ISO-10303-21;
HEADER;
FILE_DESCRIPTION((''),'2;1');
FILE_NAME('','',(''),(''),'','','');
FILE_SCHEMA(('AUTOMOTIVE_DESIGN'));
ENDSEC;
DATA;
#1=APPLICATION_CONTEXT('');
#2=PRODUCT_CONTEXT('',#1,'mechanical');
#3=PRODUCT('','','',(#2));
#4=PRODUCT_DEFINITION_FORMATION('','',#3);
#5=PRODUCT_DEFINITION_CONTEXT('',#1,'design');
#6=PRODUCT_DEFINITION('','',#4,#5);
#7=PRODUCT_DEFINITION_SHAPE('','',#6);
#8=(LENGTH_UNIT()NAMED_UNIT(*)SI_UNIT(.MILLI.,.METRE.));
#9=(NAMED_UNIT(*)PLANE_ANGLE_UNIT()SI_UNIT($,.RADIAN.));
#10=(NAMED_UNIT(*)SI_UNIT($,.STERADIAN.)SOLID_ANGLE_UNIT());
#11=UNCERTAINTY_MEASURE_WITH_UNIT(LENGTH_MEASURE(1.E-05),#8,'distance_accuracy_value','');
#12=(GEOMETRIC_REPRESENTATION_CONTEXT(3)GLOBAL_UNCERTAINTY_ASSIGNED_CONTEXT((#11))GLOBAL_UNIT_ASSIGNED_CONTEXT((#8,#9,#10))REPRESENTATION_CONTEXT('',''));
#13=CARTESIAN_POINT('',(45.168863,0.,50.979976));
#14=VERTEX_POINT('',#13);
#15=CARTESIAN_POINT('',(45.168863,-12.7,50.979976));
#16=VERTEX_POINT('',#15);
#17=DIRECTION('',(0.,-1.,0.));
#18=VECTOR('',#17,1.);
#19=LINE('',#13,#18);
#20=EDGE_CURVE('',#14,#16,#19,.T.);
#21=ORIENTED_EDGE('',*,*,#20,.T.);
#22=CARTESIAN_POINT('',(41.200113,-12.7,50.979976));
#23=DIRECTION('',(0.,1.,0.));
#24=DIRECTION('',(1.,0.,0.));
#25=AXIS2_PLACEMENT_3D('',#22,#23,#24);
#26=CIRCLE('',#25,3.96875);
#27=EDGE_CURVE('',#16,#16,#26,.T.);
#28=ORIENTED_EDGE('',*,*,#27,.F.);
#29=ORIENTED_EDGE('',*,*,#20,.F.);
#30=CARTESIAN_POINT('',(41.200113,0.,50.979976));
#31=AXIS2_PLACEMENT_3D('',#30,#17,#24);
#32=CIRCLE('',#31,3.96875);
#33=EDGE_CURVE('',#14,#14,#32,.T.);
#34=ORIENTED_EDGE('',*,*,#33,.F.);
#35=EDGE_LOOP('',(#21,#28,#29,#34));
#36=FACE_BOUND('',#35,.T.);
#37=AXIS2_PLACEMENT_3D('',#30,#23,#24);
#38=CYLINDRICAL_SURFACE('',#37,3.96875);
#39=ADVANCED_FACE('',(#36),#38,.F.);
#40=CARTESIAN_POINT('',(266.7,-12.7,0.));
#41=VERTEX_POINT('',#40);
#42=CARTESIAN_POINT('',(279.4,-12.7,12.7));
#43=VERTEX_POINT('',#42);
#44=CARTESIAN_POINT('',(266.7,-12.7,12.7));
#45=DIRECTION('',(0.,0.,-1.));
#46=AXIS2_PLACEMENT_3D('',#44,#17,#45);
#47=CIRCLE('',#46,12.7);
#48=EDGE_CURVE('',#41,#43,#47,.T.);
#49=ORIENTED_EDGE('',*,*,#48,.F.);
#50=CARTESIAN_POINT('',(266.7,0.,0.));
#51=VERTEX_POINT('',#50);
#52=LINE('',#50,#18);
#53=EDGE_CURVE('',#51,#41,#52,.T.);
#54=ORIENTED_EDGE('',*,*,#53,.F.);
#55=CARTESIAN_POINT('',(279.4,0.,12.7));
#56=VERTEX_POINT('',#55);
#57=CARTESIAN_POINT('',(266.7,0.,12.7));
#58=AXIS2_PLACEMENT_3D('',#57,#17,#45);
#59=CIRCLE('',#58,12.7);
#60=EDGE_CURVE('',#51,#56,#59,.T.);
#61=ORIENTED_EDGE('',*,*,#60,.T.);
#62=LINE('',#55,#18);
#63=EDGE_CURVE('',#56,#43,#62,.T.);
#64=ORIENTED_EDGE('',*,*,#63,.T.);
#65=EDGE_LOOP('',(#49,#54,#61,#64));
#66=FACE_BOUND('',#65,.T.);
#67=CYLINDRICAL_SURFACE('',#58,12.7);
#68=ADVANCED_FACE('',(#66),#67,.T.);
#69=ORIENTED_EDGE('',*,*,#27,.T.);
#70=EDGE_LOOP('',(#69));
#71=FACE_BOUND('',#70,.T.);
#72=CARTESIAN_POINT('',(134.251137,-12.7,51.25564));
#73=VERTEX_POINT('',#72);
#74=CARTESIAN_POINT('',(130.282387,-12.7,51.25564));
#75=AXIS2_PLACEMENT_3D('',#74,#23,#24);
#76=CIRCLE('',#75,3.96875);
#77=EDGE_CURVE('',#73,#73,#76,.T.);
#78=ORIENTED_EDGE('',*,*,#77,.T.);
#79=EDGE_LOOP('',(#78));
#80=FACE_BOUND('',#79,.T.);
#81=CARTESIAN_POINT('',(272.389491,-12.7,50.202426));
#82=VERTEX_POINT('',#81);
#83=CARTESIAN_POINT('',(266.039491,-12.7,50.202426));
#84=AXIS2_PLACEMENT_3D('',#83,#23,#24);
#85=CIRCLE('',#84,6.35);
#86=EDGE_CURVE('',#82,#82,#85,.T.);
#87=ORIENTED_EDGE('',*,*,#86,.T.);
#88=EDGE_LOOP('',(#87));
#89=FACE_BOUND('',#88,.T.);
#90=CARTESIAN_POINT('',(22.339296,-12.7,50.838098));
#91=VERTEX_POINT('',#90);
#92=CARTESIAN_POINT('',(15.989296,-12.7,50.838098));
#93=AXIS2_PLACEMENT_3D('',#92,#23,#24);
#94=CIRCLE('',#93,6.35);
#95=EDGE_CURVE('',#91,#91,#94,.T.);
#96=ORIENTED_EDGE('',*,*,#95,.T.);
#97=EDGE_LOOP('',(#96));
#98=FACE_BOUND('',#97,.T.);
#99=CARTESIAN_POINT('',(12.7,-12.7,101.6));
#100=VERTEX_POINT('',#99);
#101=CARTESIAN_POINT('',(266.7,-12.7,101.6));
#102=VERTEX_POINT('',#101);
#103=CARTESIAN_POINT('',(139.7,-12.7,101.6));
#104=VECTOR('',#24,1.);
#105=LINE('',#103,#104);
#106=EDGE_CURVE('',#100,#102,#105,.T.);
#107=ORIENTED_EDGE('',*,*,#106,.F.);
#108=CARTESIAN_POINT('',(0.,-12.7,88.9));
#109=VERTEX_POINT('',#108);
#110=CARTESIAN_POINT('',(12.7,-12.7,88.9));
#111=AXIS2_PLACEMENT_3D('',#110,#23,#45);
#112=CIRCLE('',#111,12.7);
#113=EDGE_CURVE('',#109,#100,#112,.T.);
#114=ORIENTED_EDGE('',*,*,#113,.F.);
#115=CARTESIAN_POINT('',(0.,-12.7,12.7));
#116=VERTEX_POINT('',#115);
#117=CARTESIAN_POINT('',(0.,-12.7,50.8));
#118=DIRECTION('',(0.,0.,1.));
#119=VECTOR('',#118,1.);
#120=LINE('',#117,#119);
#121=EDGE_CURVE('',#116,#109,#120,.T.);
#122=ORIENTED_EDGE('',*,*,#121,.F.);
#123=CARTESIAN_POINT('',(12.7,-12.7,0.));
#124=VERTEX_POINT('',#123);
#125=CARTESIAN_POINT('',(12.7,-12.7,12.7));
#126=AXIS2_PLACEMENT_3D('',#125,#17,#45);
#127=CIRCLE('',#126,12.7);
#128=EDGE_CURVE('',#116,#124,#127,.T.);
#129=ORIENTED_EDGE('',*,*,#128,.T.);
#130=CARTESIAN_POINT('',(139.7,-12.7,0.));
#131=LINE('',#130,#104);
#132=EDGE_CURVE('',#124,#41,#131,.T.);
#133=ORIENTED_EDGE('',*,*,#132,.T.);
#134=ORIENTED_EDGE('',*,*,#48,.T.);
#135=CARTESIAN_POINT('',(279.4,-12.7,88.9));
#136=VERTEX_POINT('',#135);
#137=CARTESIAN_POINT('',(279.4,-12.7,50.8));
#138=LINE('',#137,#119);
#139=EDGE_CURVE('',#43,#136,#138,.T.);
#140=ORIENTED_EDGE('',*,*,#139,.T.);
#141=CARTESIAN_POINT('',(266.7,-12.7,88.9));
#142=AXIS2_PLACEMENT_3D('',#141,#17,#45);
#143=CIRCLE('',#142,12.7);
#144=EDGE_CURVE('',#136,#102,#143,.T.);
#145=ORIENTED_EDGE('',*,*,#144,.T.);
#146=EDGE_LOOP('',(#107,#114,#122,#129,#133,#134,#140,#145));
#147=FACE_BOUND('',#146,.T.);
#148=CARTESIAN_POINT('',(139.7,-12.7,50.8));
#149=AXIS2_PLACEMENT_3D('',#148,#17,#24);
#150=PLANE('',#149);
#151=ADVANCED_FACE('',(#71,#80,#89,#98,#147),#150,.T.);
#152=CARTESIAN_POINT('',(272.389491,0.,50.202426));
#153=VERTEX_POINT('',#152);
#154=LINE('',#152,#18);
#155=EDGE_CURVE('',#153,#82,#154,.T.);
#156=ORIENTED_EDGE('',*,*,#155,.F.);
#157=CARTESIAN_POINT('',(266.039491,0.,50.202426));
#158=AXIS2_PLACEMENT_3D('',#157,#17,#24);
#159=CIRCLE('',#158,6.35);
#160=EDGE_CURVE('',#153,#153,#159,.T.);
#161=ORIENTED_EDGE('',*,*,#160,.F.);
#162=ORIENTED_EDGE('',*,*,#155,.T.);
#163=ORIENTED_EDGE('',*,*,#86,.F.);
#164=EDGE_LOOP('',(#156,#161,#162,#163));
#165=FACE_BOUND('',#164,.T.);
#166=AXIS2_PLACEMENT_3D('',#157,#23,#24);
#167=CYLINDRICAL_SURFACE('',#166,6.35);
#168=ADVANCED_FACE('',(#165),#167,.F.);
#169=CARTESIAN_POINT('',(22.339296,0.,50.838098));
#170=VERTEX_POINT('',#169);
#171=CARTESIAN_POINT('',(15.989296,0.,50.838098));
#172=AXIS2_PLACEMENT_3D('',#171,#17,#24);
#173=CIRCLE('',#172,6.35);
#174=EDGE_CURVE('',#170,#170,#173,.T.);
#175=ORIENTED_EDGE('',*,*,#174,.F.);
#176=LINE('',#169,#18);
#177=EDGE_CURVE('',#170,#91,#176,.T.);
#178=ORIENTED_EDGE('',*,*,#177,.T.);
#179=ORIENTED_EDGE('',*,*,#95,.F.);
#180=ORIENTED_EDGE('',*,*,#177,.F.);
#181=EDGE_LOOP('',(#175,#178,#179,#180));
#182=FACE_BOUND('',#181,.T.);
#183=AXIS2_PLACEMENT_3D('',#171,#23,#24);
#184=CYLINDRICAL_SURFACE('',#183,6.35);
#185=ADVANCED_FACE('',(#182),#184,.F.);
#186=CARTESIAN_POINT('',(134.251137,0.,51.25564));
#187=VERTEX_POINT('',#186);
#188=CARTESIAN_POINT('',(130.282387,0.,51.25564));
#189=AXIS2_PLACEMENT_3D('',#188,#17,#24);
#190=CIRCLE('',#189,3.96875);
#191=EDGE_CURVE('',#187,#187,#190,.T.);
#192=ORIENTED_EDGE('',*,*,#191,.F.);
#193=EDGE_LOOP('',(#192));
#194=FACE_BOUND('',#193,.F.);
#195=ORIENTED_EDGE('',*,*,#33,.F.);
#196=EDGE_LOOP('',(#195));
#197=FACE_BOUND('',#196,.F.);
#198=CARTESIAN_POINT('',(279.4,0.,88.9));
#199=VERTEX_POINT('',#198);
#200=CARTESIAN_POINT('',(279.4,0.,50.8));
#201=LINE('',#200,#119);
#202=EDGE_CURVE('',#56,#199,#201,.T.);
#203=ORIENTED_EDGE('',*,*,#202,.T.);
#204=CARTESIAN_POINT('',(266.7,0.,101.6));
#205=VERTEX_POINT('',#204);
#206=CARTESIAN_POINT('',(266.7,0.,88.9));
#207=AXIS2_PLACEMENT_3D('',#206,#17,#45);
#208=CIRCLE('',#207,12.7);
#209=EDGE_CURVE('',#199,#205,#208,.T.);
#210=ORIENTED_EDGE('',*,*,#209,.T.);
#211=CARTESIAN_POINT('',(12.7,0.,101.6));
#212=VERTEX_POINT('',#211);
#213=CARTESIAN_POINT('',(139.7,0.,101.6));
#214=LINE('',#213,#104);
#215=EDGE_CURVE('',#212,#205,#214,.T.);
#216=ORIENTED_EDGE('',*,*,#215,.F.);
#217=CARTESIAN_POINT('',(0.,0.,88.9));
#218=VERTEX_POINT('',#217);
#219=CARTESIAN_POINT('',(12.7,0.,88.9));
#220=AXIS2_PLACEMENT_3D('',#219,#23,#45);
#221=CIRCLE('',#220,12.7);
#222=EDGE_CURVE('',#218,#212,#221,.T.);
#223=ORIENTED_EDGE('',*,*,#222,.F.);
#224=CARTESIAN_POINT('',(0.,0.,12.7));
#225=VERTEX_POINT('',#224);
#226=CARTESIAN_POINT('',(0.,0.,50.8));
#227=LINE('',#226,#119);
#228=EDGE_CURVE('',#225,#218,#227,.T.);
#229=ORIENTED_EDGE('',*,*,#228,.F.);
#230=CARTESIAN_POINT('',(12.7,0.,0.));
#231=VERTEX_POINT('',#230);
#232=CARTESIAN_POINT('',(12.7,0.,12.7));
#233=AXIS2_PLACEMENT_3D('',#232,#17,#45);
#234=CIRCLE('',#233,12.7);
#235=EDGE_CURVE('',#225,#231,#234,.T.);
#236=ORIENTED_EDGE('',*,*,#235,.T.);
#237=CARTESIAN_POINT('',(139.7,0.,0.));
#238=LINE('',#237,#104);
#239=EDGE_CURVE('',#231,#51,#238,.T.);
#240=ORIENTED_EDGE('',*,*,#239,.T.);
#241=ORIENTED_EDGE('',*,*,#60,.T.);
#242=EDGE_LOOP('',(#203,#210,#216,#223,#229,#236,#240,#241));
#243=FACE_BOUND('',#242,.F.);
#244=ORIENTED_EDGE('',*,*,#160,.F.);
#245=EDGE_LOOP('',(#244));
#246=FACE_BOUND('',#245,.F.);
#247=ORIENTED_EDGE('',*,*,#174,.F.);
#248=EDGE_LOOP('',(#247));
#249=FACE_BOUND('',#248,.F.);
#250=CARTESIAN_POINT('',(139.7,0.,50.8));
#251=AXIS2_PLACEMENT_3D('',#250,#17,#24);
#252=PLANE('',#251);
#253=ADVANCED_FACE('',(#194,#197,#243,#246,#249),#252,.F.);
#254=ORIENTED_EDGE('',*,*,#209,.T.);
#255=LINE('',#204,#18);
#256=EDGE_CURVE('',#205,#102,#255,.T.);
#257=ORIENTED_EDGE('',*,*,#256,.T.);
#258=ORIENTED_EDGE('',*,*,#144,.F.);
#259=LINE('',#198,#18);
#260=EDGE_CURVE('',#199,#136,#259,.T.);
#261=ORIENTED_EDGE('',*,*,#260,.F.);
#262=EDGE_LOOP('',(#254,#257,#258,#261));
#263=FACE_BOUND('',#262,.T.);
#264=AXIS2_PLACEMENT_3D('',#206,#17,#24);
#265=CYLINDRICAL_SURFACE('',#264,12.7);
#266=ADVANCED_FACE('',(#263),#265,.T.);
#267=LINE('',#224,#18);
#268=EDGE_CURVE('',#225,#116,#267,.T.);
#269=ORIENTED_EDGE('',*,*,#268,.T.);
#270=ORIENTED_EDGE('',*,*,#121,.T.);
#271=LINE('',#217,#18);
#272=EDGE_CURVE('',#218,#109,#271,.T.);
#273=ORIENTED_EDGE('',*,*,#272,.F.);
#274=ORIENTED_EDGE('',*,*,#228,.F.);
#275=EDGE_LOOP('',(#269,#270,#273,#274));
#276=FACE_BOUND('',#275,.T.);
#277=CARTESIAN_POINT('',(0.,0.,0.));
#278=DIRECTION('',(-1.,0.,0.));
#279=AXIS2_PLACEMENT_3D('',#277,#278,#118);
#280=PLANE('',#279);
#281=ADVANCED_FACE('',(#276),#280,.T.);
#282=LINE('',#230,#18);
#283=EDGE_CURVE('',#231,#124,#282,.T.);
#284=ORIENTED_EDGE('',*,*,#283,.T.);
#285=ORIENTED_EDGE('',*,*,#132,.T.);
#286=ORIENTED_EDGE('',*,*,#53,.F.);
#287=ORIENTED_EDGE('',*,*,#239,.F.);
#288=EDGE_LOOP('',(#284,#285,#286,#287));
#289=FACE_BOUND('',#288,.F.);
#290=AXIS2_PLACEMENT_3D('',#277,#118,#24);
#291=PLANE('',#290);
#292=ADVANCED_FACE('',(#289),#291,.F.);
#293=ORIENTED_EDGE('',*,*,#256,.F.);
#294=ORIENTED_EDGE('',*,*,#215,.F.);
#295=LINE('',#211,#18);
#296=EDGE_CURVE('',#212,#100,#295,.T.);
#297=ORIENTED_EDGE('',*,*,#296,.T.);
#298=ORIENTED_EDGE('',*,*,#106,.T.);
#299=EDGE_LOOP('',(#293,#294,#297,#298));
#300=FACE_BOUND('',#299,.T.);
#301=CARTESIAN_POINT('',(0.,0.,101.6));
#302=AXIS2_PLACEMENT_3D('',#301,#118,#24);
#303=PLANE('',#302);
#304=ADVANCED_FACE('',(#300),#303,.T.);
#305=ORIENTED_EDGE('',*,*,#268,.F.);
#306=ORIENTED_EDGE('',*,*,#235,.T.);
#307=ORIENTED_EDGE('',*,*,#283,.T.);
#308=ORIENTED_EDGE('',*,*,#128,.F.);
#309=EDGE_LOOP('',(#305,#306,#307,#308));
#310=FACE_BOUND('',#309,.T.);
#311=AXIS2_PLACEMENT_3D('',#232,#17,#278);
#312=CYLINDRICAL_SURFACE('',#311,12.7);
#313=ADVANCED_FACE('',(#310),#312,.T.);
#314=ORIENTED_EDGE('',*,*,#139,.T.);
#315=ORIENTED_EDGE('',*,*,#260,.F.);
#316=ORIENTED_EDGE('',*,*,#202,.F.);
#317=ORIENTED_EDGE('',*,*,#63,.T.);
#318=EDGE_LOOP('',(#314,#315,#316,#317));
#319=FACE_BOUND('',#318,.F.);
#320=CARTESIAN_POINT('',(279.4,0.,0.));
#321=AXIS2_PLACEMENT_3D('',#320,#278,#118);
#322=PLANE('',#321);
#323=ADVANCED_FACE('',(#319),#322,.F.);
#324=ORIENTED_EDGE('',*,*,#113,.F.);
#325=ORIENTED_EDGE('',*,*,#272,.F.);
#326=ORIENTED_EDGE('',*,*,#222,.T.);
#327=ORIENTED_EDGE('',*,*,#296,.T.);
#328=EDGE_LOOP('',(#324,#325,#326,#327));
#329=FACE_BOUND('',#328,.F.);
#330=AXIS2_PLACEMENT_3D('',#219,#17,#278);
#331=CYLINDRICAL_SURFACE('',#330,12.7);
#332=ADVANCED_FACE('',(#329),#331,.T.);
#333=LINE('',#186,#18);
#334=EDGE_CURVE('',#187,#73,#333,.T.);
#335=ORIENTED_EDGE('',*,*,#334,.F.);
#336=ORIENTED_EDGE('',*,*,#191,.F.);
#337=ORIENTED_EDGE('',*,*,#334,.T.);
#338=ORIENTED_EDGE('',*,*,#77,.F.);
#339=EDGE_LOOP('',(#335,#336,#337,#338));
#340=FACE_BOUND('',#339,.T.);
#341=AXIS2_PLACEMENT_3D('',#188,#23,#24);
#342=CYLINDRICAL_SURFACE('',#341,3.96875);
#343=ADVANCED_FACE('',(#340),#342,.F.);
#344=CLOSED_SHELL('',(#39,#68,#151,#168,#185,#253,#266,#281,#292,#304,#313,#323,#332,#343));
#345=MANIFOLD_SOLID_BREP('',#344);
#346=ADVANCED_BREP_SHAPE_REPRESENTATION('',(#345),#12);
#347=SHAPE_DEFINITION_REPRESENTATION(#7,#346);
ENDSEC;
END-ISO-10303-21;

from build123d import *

# Parameters (mm, degrees)
F0_W     = 279.4
F0_H     = 101.6
F1_DEPTH = 12.7
F2_R     = 12.7
F3_R     = 6.35
F3_R_2   = 3.96875
F4_DEPTH = 22.86


with BuildPart() as f1:
    # F0 (on Front) → F1 (new body)
    with BuildSketch(Plane.XZ):
        with Locations((139.7, 50.8)):
            Rectangle(F0_W, F0_H)
    extrude(amount=F1_DEPTH)

    # F2
    f2_edges = [f1.edges().sort_by_distance(p)[0] for p in [
        (0, -6.35, 101.6),
        (279.4, -6.35, 101.6),
        (279.4, -6.35, 0),
        (0, -6.35, 0),
    ]]
    fillet(f2_edges, radius=F2_R)

    # F3 (on Front) → F4 (cut)
    with BuildSketch(Plane.XZ):
        with Locations((15.989296, 50.838098)):
            Circle(F3_R)
        with Locations((41.200113, 50.979976)):
            Circle(F3_R_2)
        with Locations((130.282387, 51.25564)):
            Circle(F3_R_2)
        with Locations((266.039491, 50.202426)):
            Circle(F3_R)
    extrude(amount=F4_DEPTH, mode=Mode.SUBTRACT)


solid = f1.part
